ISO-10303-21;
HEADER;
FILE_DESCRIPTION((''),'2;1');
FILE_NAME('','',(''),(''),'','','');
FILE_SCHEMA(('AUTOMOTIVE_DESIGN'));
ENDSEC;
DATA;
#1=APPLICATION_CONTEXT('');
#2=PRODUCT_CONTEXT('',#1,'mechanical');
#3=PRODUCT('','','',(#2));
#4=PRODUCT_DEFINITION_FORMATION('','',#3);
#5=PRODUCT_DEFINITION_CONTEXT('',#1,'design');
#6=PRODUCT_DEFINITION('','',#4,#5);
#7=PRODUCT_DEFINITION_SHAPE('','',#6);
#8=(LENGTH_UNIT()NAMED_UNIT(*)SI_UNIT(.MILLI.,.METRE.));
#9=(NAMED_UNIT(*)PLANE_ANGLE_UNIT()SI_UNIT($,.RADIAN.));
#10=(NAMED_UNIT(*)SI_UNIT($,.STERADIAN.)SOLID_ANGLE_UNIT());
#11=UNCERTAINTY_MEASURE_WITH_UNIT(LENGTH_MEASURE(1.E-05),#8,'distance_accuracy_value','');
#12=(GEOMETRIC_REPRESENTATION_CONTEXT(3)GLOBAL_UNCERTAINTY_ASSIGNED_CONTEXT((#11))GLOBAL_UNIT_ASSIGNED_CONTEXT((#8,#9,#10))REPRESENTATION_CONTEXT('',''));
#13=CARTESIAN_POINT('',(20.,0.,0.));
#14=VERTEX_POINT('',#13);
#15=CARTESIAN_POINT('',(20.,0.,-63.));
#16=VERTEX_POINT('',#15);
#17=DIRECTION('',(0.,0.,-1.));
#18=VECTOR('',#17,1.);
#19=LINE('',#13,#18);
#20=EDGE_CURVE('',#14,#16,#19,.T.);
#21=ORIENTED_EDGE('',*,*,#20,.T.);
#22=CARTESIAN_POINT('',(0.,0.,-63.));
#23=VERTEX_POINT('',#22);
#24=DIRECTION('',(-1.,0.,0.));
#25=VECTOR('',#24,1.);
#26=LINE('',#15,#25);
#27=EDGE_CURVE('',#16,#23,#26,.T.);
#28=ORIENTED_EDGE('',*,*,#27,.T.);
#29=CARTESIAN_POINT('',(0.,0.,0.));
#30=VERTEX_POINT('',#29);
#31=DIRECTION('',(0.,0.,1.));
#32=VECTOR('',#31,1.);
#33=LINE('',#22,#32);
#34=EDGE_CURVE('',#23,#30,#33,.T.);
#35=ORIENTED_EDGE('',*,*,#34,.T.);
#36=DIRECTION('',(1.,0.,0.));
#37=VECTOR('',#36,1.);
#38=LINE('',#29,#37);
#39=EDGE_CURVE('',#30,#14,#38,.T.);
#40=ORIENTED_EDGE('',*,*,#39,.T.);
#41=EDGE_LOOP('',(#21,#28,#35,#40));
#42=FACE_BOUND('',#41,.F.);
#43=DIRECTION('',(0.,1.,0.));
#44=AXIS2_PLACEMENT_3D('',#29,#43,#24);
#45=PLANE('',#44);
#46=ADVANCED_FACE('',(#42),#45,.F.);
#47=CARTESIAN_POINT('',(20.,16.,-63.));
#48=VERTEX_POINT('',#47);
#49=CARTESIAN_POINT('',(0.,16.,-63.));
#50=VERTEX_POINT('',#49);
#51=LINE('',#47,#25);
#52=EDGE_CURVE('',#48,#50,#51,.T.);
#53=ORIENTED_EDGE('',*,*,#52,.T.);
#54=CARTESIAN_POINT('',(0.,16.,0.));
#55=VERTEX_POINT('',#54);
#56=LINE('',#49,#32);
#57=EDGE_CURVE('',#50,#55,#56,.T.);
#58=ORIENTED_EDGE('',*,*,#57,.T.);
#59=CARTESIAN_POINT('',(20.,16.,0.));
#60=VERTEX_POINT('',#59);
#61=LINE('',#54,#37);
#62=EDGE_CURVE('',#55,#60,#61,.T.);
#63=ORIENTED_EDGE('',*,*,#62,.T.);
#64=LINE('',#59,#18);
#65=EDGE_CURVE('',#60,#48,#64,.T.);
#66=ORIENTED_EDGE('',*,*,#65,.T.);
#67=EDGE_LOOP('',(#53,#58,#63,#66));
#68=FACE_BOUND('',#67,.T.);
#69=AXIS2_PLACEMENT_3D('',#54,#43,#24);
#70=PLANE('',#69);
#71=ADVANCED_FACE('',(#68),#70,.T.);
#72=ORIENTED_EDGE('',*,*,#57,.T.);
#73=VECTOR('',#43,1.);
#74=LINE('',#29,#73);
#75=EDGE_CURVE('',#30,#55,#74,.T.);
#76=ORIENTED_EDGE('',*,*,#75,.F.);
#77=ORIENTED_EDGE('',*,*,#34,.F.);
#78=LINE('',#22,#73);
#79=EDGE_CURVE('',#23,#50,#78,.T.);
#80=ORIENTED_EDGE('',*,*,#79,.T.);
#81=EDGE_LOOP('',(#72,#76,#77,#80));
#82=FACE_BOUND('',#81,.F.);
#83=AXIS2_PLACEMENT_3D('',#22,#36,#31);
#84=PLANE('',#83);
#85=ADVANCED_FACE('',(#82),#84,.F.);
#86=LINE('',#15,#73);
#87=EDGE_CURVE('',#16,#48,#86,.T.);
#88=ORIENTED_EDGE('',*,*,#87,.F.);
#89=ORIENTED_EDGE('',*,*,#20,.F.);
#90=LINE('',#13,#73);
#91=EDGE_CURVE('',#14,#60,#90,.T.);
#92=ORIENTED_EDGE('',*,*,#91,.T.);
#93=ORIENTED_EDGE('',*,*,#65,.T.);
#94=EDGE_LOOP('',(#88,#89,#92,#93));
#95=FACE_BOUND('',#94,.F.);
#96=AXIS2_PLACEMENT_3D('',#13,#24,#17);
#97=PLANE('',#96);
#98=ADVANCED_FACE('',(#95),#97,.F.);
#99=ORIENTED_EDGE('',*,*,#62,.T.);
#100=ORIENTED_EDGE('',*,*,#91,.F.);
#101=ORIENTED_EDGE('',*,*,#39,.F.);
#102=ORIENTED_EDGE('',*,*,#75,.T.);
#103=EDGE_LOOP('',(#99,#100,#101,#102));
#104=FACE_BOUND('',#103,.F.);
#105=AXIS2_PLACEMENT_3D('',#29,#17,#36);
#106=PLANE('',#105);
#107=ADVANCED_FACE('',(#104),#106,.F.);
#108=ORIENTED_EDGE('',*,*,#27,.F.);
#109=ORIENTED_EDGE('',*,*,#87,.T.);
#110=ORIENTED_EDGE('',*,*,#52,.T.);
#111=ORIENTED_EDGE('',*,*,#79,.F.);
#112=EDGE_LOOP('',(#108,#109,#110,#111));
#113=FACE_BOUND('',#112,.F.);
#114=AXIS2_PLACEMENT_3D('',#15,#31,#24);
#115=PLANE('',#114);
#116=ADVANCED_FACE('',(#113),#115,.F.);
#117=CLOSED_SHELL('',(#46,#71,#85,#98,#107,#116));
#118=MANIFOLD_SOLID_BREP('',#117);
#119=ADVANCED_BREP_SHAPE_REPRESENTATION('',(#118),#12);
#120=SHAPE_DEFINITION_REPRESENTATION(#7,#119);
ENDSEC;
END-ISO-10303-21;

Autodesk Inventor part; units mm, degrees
ref_plane "YZ Plane" through (0, 0, 0) normal (1, 0, 0) x (0, 1, 0)
ref_plane "XZ Plane" through (0, 0, 0) normal (0, 1, 0) x (-1, 0, 0)
ref_plane "XY Plane" through (0, 0, 0) normal (0, 0, 1) x (1, 0, 0)
sketch "Sketch1" plane through (0, 0, 0) normal (0, 1, 0) x (-1, 0, 0)
  line L0 (0, 0) -> (-20, 0)
  line L1 (-20, 0) -> (-20, -63)
  line L2 (-20, -63) -> (0, -63)
  line L3 (0, -63) -> (0, 0)
  dimension "d0" = 20
  dimension "d1" = 63
extrude "Extrusion1" add sketch "Sketch1" along normal blind 16
properties part number "2s450mah"
